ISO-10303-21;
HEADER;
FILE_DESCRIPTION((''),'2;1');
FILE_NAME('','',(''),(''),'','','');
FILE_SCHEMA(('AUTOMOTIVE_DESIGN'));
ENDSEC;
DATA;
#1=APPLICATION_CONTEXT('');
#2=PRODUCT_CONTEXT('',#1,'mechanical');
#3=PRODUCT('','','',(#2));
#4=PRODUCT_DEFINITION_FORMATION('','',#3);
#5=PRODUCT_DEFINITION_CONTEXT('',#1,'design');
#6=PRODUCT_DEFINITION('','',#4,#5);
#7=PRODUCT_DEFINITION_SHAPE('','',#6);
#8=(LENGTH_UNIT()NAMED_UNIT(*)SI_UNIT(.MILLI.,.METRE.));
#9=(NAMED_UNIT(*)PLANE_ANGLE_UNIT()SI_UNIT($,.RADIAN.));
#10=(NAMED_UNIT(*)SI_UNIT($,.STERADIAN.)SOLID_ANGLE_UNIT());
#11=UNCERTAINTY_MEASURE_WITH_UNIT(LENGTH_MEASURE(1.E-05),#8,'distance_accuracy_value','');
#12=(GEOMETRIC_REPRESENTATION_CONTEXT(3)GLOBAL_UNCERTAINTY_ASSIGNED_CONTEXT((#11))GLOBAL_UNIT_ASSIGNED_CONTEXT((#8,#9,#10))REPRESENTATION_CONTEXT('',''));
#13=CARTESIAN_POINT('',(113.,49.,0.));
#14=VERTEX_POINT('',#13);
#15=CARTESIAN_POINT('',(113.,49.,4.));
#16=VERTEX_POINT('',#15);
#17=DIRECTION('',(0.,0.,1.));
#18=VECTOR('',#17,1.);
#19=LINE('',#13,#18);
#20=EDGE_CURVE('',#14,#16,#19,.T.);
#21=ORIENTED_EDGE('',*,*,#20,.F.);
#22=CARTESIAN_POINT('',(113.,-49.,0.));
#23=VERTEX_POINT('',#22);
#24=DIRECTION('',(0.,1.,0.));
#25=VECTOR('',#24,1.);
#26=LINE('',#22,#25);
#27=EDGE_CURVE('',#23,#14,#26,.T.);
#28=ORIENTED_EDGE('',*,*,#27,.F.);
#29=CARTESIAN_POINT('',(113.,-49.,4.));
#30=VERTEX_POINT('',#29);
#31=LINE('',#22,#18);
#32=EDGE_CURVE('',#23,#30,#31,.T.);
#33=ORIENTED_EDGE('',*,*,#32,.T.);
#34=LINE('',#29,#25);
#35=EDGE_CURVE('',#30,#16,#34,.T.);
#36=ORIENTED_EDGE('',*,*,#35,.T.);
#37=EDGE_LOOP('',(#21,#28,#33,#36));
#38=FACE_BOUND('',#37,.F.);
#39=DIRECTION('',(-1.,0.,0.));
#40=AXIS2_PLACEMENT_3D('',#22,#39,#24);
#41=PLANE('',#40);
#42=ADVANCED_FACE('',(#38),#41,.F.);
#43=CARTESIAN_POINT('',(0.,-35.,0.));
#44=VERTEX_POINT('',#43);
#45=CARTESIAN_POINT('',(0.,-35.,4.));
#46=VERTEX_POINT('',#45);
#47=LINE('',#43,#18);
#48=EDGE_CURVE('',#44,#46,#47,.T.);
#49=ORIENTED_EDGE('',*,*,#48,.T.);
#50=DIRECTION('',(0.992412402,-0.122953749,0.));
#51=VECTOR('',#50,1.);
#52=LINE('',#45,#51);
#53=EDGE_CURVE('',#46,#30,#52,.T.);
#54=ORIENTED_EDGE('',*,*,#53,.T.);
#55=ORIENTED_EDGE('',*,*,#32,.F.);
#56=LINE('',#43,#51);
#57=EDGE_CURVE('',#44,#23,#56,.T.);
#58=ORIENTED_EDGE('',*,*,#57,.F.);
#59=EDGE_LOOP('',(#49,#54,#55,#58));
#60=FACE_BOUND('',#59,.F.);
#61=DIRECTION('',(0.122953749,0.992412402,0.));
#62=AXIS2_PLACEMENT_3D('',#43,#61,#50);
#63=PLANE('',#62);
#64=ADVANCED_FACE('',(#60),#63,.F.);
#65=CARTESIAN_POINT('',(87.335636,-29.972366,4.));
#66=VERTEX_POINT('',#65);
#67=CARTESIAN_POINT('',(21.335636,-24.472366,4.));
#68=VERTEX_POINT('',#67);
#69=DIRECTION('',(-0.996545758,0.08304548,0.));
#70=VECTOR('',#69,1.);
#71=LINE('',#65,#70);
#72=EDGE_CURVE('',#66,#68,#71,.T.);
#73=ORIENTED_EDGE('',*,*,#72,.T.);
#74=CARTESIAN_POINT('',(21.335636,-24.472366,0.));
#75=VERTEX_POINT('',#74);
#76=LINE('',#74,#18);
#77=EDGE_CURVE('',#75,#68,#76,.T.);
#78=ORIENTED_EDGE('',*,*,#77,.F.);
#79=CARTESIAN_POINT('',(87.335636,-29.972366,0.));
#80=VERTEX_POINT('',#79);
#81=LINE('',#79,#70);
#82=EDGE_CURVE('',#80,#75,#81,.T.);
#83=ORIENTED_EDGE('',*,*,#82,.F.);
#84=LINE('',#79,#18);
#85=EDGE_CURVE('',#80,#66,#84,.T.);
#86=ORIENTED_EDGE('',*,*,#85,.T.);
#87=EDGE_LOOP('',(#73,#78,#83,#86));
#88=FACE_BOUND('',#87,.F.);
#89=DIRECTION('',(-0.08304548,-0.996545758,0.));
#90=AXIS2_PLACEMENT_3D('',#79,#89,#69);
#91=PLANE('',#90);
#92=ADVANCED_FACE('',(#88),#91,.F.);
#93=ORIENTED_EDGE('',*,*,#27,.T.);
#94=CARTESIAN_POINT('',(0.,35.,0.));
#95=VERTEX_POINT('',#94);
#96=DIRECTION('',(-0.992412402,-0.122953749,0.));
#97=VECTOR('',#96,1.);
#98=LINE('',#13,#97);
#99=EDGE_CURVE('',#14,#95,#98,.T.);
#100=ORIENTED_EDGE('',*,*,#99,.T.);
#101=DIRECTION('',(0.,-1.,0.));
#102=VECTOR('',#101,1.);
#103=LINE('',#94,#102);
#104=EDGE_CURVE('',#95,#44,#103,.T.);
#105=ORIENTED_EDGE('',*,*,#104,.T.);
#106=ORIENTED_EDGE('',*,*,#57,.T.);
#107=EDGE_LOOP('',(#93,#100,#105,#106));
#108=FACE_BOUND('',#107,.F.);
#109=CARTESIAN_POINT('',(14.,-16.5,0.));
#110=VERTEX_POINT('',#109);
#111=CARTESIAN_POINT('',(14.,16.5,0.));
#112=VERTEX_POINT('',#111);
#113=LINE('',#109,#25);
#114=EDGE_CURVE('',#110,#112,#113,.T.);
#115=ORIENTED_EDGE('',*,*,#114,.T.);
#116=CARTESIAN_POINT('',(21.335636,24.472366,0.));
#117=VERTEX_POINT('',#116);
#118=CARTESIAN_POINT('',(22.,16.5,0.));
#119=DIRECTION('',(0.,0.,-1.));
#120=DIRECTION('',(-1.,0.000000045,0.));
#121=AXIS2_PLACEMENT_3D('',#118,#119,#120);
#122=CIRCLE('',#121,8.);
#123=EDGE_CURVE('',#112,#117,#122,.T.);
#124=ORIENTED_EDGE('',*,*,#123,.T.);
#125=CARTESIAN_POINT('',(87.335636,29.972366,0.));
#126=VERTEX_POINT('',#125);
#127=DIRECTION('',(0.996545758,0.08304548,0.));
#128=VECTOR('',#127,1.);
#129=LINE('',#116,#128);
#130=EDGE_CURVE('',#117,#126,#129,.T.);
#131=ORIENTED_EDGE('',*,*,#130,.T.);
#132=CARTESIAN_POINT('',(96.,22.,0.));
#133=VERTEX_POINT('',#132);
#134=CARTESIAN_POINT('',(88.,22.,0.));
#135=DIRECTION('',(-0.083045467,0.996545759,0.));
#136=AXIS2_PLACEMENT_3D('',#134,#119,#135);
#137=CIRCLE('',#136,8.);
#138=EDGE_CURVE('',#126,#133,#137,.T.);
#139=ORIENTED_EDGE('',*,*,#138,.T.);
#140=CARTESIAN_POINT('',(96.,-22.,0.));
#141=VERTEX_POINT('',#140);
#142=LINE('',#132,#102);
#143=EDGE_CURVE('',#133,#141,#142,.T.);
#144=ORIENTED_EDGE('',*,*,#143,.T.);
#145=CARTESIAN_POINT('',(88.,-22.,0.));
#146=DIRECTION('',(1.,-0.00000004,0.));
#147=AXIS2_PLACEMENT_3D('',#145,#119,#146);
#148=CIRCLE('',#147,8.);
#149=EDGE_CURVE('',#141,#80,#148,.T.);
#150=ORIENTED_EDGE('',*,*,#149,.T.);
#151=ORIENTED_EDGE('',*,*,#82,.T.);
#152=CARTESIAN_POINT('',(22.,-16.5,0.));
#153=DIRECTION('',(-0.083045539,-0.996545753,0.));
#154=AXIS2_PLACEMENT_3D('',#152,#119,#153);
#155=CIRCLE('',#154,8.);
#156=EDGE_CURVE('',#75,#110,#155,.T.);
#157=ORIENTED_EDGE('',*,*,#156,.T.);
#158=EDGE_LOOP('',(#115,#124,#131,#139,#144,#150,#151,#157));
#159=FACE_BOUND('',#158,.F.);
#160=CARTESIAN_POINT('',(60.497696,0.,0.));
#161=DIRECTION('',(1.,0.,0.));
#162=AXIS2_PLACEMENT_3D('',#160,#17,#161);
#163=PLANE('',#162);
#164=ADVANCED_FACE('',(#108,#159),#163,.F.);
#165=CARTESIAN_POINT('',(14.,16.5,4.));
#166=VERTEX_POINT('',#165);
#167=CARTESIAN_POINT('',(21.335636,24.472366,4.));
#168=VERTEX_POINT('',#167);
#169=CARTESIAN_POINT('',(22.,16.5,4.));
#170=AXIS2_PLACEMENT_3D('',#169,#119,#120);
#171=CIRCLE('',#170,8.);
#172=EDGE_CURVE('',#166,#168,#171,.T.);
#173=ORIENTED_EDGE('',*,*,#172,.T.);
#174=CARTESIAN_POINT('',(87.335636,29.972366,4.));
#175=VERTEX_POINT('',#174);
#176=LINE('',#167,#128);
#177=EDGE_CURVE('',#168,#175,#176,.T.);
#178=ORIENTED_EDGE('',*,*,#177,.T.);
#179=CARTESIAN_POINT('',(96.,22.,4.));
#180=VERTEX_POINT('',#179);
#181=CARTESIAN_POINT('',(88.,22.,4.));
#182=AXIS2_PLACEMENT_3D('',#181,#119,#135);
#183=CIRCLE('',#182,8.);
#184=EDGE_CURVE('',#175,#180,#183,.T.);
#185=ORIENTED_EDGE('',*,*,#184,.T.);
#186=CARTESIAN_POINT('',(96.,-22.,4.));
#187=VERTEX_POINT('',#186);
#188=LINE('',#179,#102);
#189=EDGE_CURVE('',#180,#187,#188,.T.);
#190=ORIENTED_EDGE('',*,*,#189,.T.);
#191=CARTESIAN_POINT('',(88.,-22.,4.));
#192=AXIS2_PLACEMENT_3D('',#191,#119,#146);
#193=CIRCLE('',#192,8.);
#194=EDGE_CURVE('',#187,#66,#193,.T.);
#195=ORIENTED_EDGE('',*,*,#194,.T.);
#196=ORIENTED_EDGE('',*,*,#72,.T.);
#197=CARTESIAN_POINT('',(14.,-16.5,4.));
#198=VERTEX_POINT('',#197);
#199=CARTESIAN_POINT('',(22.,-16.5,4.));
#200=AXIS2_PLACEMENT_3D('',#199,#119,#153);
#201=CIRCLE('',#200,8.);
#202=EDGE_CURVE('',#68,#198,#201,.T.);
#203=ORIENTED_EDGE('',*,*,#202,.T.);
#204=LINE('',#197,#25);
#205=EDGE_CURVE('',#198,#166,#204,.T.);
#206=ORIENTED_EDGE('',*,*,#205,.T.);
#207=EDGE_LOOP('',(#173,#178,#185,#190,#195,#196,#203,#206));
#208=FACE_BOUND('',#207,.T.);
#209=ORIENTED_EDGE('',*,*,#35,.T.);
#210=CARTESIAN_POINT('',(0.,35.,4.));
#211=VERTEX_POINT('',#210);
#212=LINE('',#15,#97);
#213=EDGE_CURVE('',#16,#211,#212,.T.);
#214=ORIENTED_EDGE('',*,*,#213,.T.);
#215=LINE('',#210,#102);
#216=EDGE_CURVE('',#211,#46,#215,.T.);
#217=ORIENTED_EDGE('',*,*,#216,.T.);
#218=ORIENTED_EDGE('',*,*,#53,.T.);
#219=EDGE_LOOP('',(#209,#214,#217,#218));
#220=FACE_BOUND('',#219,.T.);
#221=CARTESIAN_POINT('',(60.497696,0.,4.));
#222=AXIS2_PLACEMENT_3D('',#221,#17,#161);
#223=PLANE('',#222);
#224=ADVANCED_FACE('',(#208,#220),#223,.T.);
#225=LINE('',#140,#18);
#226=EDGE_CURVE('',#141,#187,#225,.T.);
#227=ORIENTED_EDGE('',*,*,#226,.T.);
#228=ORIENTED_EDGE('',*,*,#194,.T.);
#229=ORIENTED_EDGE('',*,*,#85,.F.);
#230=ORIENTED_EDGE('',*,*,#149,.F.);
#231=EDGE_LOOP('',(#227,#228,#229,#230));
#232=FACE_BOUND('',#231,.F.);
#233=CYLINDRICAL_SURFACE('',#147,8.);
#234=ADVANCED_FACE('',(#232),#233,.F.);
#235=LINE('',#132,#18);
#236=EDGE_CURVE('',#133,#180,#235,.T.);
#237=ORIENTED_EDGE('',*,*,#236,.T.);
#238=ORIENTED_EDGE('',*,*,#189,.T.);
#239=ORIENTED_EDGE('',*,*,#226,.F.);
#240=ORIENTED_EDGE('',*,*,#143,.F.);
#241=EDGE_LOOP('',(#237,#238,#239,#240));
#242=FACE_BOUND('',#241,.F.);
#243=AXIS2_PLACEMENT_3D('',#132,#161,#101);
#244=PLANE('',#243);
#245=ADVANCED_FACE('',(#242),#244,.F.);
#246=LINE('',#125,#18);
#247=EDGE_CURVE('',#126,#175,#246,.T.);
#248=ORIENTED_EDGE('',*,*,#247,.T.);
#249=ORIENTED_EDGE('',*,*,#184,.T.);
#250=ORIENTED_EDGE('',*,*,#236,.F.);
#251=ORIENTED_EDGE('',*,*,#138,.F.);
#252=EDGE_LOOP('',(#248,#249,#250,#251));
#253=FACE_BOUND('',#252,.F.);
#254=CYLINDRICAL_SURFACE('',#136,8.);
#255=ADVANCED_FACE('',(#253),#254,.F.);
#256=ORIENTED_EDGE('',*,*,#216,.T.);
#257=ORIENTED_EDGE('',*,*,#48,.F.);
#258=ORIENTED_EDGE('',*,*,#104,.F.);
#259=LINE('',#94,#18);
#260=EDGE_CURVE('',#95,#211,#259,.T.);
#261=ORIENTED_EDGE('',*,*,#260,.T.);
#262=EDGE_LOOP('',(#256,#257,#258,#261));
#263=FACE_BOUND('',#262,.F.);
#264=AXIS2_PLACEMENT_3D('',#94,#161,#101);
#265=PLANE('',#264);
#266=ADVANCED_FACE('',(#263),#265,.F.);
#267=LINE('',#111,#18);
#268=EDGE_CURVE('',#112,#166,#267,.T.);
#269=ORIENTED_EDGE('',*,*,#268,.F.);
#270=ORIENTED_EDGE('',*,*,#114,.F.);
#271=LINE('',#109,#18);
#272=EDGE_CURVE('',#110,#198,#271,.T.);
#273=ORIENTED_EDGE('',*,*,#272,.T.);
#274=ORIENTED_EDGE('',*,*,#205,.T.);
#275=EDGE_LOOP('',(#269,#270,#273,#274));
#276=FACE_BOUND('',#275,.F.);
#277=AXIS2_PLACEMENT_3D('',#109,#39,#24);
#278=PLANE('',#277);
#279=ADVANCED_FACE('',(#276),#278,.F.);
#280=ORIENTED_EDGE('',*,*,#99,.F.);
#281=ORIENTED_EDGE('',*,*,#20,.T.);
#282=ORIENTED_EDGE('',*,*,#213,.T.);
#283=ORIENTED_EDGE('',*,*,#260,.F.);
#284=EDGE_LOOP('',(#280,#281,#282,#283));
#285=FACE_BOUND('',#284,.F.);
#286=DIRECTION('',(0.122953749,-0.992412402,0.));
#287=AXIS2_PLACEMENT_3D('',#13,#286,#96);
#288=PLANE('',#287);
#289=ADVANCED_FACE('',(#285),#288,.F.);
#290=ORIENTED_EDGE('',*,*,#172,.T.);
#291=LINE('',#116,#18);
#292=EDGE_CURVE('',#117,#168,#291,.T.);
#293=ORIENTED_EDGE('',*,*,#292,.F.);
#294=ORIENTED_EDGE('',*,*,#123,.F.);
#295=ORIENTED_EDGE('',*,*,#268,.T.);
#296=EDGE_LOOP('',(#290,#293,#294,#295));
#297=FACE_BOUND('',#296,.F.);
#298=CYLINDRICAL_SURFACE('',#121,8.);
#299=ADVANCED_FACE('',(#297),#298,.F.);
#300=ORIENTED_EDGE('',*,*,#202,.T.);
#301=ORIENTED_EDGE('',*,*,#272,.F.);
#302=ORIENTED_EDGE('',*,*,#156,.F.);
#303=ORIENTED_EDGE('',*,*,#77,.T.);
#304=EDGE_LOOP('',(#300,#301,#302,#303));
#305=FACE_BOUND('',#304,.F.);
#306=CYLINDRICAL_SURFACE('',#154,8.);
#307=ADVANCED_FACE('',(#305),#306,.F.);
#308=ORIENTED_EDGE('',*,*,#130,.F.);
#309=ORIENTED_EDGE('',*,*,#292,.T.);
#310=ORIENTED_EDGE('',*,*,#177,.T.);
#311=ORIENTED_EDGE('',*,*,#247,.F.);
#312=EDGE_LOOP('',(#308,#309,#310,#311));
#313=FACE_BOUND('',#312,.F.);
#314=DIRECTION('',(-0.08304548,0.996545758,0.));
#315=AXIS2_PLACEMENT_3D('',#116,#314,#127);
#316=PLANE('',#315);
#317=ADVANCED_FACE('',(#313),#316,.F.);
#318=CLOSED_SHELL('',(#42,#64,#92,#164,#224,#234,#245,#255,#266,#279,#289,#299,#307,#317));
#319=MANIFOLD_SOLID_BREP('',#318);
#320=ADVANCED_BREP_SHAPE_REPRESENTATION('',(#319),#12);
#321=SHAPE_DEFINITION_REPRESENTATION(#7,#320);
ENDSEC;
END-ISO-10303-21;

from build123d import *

# Parameters (mm, degrees)
F1_DEPTH = 4


with BuildPart() as f1:
    # F0 (on Top) → F1 (new body)
    with BuildSketch(Plane.XY):
        Polygon((113, 49), (0, 35), (0, -35), (113, -49), align=None)
        with BuildLine():
            Line((14, -16.5), (14, 16.5))
            ThreePointArc((14, 16.5), (16.112942, 21.916876), (21.335636, 24.472366))
            Line((21.335636, 24.472366), (87.335636, 29.972366))
            ThreePointArc((87.335636, 29.972366), (93.416876, 27.887058), (96, 22))
            Line((96, 22), (96, -22))
            ThreePointArc((96, -22), (93.416876, -27.887058), (87.335636, -29.972366))
            Line((87.335636, -29.972366), (21.335636, -24.472366))
            ThreePointArc((21.335636, -24.472366), (16.112942, -21.916876), (14, -16.5))
        make_face(mode=Mode.SUBTRACT)
    extrude(amount=F1_DEPTH)


solid = f1.part
